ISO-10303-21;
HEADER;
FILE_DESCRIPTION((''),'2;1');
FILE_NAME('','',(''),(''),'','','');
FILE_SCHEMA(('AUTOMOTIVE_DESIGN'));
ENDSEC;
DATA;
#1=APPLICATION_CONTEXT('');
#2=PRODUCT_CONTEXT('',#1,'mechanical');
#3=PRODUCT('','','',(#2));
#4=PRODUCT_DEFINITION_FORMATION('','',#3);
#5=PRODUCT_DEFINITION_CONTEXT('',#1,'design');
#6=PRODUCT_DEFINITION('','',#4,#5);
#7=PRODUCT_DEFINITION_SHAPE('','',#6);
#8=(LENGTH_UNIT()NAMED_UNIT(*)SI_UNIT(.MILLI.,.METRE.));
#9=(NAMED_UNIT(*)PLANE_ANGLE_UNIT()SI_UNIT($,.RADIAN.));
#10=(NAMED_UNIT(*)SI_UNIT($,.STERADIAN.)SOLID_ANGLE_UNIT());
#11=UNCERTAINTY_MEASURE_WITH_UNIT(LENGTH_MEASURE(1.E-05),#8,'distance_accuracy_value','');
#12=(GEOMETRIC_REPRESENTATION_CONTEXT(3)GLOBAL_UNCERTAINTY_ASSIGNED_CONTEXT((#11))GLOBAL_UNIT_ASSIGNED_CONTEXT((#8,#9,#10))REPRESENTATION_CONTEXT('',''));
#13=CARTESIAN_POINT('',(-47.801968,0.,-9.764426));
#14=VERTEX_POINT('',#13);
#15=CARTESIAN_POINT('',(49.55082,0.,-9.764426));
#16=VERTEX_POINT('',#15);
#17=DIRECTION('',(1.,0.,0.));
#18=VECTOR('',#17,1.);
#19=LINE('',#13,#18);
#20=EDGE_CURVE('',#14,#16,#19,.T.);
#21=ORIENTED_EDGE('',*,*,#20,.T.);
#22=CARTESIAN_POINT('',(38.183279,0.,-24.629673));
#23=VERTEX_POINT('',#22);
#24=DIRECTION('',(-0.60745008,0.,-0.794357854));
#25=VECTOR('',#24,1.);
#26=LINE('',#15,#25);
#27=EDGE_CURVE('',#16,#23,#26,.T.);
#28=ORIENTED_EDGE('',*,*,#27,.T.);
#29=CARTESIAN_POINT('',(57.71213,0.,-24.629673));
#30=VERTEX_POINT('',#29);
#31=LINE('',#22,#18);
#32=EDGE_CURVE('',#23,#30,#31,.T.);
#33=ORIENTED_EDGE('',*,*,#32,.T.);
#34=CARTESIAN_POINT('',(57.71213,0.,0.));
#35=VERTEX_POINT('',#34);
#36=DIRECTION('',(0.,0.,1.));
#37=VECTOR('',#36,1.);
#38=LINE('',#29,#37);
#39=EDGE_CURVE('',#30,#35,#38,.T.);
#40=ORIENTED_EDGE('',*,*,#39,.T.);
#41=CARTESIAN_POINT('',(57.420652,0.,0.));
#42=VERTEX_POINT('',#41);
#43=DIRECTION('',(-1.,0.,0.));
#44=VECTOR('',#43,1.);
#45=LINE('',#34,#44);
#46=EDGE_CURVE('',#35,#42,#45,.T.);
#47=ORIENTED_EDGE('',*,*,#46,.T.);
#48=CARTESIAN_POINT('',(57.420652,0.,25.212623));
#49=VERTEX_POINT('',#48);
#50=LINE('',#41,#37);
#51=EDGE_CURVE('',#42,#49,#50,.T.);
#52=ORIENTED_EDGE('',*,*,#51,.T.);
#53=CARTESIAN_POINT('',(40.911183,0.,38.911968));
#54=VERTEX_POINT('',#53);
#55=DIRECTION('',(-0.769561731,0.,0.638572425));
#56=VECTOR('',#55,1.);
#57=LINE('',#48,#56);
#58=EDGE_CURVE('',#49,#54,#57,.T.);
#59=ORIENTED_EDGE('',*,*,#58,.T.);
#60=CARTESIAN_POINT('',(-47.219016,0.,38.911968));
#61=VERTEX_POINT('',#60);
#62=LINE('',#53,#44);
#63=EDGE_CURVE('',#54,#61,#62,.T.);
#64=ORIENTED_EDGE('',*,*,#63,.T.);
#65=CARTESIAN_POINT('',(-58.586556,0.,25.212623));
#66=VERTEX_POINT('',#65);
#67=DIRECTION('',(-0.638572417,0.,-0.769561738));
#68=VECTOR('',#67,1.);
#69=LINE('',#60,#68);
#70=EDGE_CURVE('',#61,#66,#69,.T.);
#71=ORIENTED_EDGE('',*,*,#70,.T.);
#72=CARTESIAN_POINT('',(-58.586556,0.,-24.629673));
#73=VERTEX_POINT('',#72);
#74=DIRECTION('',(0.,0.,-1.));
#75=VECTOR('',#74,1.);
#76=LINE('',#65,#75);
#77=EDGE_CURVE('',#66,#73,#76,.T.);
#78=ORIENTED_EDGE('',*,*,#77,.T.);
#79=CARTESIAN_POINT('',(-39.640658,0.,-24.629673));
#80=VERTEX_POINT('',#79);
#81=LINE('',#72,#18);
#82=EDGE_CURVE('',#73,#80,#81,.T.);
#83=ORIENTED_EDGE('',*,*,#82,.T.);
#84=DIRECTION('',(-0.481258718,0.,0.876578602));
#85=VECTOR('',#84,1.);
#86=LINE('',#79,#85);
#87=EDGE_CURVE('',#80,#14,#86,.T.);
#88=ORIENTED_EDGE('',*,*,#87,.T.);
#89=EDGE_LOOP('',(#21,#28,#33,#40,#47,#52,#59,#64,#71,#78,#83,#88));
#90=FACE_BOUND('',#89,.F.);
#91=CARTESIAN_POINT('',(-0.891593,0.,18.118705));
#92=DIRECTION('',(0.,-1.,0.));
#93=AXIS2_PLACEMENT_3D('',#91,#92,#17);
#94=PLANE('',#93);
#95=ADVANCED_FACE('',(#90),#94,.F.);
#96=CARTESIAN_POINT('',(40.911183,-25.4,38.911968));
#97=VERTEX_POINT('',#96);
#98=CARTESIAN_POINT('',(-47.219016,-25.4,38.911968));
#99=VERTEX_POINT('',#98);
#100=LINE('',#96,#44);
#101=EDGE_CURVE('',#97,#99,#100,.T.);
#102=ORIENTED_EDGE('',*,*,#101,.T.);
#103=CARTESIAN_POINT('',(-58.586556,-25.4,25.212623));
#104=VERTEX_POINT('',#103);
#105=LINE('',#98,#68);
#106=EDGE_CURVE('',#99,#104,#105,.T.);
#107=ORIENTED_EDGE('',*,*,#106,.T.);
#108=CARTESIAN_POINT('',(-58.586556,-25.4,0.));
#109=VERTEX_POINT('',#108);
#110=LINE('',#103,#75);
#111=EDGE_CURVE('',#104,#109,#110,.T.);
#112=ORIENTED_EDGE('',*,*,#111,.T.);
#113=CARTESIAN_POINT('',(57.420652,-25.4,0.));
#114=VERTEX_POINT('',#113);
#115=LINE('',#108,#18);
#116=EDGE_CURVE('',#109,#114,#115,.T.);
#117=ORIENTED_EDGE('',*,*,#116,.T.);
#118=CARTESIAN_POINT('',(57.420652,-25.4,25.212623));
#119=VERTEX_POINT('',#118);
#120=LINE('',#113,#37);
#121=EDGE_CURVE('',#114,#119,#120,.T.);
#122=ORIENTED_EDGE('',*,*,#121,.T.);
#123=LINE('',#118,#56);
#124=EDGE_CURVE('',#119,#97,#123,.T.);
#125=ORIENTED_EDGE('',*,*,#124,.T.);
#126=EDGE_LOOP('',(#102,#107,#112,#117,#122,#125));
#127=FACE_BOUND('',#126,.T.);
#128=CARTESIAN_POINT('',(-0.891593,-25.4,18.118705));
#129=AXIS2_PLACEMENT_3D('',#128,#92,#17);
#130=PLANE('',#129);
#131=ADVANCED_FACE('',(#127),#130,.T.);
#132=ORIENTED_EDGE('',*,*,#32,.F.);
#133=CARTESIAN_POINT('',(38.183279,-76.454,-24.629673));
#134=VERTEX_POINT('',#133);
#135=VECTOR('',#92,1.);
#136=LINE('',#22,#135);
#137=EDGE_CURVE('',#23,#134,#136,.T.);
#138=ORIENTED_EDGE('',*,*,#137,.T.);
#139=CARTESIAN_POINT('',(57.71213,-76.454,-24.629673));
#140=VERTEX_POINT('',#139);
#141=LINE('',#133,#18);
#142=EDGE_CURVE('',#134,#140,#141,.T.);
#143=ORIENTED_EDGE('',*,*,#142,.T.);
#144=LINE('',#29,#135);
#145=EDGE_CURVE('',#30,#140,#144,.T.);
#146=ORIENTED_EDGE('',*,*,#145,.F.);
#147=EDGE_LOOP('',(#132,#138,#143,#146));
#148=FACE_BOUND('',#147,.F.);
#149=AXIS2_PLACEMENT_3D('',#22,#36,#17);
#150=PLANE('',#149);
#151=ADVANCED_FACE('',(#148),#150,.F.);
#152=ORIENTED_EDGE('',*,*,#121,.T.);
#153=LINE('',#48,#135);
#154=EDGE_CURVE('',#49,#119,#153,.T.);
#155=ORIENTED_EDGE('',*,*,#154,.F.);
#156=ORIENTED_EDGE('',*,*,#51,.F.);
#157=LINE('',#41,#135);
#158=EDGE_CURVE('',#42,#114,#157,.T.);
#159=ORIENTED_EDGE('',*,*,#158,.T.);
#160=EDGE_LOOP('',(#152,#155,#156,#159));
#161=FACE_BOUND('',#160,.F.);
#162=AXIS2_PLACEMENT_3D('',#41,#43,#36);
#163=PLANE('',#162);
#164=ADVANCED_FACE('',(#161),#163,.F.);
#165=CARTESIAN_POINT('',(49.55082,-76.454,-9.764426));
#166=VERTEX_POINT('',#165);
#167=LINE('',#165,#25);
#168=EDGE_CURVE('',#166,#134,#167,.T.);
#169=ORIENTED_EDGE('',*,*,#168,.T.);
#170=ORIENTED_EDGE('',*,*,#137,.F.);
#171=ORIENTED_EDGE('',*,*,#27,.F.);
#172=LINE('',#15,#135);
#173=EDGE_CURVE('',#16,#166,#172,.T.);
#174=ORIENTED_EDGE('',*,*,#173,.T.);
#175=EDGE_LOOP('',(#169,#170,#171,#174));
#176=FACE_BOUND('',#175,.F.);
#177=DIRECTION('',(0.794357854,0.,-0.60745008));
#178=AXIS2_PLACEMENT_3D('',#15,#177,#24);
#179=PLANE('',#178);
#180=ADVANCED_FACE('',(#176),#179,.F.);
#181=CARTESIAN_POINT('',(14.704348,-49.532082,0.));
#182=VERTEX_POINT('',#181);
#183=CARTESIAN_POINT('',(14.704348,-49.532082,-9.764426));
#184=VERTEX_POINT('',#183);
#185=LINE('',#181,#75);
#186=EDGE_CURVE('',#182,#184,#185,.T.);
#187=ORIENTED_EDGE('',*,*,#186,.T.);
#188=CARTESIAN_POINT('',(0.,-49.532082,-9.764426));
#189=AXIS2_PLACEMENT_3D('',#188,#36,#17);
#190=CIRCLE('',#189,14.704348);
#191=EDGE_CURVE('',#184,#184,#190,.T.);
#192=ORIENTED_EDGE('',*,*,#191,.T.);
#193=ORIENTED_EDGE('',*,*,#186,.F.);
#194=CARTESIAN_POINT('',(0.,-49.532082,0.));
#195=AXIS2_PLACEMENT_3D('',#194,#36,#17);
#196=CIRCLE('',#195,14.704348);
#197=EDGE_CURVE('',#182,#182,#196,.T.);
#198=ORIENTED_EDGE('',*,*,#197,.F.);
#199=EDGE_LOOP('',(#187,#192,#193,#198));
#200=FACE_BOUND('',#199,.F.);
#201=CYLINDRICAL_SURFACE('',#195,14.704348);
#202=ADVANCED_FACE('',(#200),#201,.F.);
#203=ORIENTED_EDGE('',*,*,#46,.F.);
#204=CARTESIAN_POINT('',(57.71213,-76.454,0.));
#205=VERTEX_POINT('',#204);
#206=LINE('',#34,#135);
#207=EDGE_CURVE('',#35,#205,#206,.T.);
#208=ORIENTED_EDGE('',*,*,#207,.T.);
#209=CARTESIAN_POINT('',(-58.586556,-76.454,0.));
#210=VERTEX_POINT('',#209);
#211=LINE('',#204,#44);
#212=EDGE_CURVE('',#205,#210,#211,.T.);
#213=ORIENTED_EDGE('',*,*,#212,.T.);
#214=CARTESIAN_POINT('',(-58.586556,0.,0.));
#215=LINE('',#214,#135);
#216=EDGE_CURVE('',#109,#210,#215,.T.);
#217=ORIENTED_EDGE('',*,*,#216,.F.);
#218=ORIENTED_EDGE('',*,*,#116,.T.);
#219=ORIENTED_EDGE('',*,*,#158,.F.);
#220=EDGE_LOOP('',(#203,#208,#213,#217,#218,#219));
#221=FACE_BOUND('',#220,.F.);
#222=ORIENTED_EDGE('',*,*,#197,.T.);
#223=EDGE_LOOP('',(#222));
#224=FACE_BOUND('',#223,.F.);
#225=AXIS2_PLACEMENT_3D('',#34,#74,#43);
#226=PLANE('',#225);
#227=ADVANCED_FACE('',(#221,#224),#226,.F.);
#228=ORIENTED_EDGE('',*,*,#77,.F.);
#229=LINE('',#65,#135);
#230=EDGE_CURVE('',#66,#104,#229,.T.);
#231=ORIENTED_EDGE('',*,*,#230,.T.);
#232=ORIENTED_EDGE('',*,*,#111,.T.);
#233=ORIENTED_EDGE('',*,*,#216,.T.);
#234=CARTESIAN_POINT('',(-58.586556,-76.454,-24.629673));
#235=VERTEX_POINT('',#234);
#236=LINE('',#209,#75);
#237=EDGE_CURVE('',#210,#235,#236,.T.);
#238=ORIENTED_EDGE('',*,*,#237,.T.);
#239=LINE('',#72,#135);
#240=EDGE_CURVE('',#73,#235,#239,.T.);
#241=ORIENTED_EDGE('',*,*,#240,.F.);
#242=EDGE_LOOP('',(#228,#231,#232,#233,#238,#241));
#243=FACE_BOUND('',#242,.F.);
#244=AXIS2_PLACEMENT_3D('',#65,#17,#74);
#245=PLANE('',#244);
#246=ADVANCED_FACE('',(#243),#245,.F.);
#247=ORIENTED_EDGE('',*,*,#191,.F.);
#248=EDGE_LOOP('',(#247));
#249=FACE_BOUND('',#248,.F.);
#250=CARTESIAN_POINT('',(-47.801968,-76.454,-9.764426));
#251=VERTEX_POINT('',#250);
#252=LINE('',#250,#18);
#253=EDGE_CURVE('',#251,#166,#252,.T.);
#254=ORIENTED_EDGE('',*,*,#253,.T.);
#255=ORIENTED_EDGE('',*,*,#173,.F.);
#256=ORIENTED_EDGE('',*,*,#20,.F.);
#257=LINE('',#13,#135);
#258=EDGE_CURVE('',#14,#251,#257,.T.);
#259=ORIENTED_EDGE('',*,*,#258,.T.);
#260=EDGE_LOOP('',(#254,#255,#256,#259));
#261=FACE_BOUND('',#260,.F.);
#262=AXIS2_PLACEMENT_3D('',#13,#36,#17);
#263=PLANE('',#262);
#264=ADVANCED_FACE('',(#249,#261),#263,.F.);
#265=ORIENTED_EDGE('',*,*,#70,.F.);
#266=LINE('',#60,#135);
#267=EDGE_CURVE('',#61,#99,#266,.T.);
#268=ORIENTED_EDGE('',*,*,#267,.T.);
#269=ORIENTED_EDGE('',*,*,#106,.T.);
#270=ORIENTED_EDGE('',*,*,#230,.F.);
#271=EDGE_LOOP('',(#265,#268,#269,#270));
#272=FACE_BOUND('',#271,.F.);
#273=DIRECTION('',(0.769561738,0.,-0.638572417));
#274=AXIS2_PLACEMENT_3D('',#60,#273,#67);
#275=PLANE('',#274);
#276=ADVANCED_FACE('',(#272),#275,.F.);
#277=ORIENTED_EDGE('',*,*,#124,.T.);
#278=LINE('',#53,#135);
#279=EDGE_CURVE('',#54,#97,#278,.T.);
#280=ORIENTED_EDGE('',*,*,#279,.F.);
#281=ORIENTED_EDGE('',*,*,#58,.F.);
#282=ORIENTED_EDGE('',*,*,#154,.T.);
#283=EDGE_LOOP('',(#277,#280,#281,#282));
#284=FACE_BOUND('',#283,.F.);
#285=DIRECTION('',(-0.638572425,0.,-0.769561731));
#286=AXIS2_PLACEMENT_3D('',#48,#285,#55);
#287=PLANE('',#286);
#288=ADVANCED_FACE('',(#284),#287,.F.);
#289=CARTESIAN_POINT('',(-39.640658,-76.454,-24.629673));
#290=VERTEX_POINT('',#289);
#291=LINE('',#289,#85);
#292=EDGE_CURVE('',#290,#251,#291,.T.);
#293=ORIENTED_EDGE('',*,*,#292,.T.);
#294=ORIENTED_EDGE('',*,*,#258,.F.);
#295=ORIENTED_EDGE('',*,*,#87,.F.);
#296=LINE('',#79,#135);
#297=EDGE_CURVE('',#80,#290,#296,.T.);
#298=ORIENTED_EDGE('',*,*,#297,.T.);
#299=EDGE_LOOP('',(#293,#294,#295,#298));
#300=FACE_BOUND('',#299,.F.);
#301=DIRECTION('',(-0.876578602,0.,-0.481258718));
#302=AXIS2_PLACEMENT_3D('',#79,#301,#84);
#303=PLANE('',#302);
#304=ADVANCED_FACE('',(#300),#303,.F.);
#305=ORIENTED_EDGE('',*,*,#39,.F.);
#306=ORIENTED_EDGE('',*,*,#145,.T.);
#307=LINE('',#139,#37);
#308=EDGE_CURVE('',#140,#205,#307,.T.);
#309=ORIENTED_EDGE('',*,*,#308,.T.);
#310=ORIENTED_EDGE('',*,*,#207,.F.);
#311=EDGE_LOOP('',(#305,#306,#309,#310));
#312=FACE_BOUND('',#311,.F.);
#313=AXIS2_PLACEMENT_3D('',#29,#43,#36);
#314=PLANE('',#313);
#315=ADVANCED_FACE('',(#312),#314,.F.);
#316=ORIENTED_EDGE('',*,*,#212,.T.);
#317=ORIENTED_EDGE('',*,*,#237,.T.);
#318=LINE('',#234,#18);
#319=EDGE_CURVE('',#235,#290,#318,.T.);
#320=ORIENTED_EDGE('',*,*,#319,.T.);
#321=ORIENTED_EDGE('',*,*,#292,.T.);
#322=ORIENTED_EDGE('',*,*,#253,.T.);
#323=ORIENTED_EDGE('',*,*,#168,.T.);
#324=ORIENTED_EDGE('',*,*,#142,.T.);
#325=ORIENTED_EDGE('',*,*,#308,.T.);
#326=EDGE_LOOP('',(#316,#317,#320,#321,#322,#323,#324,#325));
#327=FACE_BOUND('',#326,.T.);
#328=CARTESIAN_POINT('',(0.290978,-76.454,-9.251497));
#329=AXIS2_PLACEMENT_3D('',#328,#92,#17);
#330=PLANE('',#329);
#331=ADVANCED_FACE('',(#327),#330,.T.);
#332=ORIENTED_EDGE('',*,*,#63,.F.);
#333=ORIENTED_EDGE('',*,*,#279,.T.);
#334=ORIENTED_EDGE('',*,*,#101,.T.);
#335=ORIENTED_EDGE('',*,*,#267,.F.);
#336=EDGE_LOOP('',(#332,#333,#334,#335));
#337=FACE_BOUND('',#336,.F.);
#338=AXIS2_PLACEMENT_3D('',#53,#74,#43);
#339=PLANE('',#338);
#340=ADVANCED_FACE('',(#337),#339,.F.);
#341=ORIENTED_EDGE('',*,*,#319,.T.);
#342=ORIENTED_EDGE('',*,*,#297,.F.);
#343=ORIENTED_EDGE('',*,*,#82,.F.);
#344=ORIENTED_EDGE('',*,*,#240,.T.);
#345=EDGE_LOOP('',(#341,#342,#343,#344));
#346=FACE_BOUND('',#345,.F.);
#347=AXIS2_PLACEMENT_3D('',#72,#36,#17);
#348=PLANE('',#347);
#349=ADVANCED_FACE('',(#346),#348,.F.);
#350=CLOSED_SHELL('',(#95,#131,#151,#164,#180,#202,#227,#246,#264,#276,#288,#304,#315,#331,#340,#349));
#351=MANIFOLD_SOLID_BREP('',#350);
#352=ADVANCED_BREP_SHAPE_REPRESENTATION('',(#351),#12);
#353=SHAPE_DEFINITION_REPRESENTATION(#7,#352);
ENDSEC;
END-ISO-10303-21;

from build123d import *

# Parameters (mm, degrees)
F1_DEPTH = 76.454
F3_DEPTH = 25.4
F4_R     = 14.704348
F5_DEPTH = 25.4


with BuildPart() as f1:
    # F0 (on Front) → F1 (new body)
    with BuildSketch(Plane.XZ):
        Polygon((57.71213, 0), (-58.586556, 0), (-58.586556, -24.629673), (-39.640658, -24.629673), (-47.801968, -9.764426), (49.55082, -9.764426), (38.183279, -24.629673), (57.71213, -24.629673), align=None)
    extrude(amount=F1_DEPTH)

    # F2 (on Front) → F3 (join)
    with BuildSketch(Plane.XZ):
        Polygon((-58.586556, 25.212623), (-58.586556, 0), (57.420652, 0), (57.420652, 25.212623), (40.911183, 38.911968), (-47.219016, 38.911968), align=None)
    extrude(amount=F3_DEPTH)

    # F4 (on Top) → F5 (cut)
    with BuildSketch(Plane.XY):
        with Locations((0, -49.532082)):
            Circle(F4_R)
    extrude(amount=-F5_DEPTH, mode=Mode.SUBTRACT)


solid = f1.part
